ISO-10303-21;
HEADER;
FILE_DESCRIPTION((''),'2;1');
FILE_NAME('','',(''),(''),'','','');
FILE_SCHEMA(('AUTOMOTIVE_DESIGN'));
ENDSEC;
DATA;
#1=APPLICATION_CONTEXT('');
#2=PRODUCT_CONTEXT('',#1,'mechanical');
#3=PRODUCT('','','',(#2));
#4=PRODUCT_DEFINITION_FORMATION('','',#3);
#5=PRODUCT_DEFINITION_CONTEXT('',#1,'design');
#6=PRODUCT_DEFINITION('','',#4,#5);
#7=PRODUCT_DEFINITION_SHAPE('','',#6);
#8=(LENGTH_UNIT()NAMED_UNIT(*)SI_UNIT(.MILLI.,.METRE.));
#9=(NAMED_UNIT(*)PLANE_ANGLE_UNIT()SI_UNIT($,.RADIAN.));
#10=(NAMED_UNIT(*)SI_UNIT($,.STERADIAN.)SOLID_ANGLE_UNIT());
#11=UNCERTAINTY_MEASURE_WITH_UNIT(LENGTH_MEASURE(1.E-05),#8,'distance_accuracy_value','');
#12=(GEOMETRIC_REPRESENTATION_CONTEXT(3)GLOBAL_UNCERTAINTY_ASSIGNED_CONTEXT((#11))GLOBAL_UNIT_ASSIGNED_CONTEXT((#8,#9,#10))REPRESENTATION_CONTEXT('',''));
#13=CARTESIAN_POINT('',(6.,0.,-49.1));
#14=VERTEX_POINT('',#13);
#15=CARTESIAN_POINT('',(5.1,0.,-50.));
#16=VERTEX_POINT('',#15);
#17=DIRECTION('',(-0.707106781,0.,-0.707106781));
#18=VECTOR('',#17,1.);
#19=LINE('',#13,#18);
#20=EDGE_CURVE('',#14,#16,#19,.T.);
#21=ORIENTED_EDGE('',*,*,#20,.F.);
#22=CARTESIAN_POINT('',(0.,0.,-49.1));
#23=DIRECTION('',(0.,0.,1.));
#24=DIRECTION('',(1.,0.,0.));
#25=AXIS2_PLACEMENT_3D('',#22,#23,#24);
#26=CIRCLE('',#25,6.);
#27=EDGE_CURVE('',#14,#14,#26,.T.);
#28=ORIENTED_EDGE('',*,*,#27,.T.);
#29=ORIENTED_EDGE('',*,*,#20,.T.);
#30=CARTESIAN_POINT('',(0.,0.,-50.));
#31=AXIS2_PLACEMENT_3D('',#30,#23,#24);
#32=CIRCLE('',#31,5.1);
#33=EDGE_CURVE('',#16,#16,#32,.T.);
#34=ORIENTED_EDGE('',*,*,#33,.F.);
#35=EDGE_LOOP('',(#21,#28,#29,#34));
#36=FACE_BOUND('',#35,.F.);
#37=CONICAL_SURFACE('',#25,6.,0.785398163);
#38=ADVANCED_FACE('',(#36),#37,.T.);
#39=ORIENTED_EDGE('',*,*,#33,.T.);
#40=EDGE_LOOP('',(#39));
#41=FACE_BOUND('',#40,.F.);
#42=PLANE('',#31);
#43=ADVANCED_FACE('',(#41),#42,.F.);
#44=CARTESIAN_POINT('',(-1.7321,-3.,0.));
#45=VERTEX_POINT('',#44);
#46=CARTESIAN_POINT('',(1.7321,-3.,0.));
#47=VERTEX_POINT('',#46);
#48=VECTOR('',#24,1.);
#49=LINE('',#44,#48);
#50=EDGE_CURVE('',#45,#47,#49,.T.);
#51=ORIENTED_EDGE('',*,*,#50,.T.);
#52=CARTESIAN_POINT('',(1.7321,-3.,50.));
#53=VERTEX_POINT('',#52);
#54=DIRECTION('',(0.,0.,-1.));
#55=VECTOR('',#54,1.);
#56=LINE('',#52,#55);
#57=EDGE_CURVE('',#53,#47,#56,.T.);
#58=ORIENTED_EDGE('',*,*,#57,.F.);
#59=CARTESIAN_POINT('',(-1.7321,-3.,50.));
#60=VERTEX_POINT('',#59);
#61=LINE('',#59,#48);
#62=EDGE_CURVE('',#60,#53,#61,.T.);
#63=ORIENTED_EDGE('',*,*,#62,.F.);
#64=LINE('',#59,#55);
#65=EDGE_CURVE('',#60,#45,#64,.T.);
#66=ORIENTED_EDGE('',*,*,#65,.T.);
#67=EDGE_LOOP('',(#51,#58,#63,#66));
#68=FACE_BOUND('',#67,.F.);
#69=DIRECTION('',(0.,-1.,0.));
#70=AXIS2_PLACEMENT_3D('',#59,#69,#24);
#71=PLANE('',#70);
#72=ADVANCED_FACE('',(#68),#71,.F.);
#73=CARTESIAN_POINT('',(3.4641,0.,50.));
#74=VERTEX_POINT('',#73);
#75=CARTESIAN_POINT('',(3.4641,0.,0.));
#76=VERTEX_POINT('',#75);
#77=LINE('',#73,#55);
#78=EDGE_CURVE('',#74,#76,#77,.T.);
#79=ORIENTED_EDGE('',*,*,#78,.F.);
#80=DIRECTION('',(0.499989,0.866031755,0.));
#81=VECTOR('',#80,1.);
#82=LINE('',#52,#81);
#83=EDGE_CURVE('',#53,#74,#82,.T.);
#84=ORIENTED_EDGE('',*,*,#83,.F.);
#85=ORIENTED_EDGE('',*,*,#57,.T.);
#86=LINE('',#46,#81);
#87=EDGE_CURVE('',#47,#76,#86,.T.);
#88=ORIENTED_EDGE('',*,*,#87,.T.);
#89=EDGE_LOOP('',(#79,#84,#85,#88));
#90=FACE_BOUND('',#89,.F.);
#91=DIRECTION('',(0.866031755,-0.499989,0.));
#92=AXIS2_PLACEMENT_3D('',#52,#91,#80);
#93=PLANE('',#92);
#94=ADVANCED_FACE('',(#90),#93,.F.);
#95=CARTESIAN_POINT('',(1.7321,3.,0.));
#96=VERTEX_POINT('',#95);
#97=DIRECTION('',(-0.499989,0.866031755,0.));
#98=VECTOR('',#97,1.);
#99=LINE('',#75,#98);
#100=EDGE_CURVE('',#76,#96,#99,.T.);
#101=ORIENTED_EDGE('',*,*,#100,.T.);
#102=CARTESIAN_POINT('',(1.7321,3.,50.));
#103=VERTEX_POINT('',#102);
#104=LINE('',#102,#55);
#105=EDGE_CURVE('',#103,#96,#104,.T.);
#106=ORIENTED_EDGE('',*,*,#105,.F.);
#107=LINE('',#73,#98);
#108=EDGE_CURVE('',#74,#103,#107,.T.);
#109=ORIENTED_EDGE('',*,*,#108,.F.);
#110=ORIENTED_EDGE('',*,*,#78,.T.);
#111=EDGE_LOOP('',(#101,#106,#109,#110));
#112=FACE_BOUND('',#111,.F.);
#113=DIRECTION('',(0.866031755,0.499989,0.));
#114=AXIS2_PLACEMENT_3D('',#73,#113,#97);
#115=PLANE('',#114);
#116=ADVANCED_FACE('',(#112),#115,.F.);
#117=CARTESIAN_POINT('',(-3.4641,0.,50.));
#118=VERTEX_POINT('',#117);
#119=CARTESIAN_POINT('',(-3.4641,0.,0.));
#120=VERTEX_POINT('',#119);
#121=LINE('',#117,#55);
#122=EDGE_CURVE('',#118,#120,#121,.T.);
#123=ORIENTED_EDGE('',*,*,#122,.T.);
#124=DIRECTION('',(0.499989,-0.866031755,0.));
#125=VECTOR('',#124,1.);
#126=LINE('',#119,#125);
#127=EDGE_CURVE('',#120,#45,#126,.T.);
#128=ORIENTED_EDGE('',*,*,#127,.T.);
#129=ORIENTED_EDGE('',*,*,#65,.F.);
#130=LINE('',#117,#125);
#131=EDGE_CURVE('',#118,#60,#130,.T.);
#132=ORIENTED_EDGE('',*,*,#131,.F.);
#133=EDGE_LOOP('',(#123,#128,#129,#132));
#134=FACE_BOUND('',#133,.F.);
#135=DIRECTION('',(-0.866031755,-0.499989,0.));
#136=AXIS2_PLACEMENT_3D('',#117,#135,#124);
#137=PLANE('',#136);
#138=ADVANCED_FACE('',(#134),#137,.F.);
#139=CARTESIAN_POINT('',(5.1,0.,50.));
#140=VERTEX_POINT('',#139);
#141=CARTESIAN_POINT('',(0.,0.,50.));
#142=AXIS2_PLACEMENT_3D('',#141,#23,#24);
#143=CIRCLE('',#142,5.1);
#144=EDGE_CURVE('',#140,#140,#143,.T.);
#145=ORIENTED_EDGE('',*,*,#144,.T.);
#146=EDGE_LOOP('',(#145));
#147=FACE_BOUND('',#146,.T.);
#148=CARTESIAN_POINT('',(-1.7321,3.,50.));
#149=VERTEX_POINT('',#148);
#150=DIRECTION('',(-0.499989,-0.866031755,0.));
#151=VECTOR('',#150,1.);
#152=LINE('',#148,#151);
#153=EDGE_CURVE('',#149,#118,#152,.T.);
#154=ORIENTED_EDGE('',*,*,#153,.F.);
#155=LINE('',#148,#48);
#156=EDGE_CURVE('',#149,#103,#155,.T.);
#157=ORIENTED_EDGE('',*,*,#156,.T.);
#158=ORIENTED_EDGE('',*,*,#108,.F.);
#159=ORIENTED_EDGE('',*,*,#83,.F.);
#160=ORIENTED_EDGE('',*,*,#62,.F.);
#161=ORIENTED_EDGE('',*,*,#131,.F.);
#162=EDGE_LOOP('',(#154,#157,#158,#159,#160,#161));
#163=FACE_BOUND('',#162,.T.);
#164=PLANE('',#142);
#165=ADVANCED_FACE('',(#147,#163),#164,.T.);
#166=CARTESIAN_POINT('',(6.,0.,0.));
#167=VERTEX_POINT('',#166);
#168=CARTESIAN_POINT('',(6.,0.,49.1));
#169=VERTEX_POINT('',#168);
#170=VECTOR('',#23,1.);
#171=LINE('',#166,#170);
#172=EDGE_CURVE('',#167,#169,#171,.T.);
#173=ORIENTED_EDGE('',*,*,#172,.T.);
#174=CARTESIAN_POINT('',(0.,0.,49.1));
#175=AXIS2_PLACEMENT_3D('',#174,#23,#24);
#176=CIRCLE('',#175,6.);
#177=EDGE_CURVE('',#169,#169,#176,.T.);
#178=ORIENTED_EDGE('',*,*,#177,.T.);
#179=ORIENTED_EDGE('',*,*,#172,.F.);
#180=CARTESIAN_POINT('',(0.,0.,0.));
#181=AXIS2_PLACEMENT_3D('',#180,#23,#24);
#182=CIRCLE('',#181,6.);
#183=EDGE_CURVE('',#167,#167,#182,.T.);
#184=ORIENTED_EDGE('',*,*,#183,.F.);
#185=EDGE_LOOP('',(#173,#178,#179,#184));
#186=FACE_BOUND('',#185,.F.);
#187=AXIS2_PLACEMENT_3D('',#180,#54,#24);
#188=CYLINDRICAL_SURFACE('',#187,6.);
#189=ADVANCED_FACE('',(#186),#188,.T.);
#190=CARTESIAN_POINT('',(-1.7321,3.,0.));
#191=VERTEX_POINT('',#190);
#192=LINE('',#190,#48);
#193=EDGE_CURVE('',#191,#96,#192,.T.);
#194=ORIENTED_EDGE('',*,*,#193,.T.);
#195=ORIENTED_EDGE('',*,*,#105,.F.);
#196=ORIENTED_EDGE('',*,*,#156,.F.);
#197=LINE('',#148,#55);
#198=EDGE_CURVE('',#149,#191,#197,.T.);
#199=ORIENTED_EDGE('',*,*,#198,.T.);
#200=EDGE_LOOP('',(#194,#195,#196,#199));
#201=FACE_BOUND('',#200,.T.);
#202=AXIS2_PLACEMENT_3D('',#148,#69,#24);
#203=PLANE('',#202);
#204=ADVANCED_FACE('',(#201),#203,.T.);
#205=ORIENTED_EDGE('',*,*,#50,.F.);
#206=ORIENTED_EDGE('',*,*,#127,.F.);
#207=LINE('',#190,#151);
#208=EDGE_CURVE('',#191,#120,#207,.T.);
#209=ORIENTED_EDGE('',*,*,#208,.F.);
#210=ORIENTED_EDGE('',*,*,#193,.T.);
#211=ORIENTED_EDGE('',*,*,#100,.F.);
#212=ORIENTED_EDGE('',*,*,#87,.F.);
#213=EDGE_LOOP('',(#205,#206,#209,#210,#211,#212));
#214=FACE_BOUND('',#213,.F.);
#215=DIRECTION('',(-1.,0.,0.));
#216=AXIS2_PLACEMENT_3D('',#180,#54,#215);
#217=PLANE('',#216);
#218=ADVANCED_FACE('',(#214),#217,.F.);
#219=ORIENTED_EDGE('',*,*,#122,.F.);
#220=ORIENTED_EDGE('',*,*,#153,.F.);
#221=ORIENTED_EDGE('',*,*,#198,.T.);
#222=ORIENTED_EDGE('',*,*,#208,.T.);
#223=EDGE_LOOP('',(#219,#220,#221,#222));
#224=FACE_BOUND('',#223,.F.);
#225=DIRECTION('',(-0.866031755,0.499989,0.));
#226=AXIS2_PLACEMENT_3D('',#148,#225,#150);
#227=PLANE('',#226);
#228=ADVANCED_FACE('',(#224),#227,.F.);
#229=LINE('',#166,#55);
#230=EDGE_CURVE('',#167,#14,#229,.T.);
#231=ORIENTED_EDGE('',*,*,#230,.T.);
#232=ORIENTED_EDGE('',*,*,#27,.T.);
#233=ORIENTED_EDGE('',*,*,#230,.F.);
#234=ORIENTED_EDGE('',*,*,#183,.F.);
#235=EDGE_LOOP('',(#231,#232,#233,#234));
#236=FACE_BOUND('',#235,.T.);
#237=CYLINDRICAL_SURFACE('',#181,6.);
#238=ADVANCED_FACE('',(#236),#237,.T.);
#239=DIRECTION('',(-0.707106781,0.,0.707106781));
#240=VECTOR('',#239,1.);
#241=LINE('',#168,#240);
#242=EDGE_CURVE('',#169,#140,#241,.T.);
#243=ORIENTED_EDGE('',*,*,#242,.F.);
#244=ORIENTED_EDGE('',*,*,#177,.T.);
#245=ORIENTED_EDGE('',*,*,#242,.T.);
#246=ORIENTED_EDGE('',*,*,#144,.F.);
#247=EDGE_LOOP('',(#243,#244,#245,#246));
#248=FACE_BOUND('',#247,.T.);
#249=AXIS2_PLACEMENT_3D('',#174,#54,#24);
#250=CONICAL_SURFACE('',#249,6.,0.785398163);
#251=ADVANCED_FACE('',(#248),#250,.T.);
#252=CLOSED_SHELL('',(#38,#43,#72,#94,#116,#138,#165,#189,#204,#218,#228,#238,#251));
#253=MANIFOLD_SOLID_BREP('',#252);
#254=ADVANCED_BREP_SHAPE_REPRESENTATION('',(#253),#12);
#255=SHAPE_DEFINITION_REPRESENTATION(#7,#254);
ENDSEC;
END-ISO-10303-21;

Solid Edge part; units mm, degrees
sketch "Sketch1" plane through (0, 0, 0) normal (0, 0, 1) x (1, 0, 0)
  circle A0 centre (0, 0) radius 6
  dimension "D1" = 12
extrude "Protrusion1" add sketch "Sketch1" along normal mid plane 100
chamfer "Chamfer1" distance 0.9 angle 45 2 edges at (-6, 0, -50) (-6, 0, 50)
sketch "Sketch2" plane through (0, 0, 50) normal (0, 0, 1) x (1, 0, 0)
  line L0 (-1.7321, 3) -> (1.7321, 3)
  line L1 (3.4641, 0) -> (1.7321, 3)
  line L2 (1.7321, -3) -> (3.4641, 0)
  line L3 (-1.7321, -3) -> (1.7321, -3)
  line L4 (-3.4641, 0) -> (-1.7321, -3)
  line L5 (-1.7321, 3) -> (-3.4641, 0)
  dimension "D1" = 6
extrude "Cutout1" cut sketch "Sketch2" against normal blind 50
properties part number "123532"
